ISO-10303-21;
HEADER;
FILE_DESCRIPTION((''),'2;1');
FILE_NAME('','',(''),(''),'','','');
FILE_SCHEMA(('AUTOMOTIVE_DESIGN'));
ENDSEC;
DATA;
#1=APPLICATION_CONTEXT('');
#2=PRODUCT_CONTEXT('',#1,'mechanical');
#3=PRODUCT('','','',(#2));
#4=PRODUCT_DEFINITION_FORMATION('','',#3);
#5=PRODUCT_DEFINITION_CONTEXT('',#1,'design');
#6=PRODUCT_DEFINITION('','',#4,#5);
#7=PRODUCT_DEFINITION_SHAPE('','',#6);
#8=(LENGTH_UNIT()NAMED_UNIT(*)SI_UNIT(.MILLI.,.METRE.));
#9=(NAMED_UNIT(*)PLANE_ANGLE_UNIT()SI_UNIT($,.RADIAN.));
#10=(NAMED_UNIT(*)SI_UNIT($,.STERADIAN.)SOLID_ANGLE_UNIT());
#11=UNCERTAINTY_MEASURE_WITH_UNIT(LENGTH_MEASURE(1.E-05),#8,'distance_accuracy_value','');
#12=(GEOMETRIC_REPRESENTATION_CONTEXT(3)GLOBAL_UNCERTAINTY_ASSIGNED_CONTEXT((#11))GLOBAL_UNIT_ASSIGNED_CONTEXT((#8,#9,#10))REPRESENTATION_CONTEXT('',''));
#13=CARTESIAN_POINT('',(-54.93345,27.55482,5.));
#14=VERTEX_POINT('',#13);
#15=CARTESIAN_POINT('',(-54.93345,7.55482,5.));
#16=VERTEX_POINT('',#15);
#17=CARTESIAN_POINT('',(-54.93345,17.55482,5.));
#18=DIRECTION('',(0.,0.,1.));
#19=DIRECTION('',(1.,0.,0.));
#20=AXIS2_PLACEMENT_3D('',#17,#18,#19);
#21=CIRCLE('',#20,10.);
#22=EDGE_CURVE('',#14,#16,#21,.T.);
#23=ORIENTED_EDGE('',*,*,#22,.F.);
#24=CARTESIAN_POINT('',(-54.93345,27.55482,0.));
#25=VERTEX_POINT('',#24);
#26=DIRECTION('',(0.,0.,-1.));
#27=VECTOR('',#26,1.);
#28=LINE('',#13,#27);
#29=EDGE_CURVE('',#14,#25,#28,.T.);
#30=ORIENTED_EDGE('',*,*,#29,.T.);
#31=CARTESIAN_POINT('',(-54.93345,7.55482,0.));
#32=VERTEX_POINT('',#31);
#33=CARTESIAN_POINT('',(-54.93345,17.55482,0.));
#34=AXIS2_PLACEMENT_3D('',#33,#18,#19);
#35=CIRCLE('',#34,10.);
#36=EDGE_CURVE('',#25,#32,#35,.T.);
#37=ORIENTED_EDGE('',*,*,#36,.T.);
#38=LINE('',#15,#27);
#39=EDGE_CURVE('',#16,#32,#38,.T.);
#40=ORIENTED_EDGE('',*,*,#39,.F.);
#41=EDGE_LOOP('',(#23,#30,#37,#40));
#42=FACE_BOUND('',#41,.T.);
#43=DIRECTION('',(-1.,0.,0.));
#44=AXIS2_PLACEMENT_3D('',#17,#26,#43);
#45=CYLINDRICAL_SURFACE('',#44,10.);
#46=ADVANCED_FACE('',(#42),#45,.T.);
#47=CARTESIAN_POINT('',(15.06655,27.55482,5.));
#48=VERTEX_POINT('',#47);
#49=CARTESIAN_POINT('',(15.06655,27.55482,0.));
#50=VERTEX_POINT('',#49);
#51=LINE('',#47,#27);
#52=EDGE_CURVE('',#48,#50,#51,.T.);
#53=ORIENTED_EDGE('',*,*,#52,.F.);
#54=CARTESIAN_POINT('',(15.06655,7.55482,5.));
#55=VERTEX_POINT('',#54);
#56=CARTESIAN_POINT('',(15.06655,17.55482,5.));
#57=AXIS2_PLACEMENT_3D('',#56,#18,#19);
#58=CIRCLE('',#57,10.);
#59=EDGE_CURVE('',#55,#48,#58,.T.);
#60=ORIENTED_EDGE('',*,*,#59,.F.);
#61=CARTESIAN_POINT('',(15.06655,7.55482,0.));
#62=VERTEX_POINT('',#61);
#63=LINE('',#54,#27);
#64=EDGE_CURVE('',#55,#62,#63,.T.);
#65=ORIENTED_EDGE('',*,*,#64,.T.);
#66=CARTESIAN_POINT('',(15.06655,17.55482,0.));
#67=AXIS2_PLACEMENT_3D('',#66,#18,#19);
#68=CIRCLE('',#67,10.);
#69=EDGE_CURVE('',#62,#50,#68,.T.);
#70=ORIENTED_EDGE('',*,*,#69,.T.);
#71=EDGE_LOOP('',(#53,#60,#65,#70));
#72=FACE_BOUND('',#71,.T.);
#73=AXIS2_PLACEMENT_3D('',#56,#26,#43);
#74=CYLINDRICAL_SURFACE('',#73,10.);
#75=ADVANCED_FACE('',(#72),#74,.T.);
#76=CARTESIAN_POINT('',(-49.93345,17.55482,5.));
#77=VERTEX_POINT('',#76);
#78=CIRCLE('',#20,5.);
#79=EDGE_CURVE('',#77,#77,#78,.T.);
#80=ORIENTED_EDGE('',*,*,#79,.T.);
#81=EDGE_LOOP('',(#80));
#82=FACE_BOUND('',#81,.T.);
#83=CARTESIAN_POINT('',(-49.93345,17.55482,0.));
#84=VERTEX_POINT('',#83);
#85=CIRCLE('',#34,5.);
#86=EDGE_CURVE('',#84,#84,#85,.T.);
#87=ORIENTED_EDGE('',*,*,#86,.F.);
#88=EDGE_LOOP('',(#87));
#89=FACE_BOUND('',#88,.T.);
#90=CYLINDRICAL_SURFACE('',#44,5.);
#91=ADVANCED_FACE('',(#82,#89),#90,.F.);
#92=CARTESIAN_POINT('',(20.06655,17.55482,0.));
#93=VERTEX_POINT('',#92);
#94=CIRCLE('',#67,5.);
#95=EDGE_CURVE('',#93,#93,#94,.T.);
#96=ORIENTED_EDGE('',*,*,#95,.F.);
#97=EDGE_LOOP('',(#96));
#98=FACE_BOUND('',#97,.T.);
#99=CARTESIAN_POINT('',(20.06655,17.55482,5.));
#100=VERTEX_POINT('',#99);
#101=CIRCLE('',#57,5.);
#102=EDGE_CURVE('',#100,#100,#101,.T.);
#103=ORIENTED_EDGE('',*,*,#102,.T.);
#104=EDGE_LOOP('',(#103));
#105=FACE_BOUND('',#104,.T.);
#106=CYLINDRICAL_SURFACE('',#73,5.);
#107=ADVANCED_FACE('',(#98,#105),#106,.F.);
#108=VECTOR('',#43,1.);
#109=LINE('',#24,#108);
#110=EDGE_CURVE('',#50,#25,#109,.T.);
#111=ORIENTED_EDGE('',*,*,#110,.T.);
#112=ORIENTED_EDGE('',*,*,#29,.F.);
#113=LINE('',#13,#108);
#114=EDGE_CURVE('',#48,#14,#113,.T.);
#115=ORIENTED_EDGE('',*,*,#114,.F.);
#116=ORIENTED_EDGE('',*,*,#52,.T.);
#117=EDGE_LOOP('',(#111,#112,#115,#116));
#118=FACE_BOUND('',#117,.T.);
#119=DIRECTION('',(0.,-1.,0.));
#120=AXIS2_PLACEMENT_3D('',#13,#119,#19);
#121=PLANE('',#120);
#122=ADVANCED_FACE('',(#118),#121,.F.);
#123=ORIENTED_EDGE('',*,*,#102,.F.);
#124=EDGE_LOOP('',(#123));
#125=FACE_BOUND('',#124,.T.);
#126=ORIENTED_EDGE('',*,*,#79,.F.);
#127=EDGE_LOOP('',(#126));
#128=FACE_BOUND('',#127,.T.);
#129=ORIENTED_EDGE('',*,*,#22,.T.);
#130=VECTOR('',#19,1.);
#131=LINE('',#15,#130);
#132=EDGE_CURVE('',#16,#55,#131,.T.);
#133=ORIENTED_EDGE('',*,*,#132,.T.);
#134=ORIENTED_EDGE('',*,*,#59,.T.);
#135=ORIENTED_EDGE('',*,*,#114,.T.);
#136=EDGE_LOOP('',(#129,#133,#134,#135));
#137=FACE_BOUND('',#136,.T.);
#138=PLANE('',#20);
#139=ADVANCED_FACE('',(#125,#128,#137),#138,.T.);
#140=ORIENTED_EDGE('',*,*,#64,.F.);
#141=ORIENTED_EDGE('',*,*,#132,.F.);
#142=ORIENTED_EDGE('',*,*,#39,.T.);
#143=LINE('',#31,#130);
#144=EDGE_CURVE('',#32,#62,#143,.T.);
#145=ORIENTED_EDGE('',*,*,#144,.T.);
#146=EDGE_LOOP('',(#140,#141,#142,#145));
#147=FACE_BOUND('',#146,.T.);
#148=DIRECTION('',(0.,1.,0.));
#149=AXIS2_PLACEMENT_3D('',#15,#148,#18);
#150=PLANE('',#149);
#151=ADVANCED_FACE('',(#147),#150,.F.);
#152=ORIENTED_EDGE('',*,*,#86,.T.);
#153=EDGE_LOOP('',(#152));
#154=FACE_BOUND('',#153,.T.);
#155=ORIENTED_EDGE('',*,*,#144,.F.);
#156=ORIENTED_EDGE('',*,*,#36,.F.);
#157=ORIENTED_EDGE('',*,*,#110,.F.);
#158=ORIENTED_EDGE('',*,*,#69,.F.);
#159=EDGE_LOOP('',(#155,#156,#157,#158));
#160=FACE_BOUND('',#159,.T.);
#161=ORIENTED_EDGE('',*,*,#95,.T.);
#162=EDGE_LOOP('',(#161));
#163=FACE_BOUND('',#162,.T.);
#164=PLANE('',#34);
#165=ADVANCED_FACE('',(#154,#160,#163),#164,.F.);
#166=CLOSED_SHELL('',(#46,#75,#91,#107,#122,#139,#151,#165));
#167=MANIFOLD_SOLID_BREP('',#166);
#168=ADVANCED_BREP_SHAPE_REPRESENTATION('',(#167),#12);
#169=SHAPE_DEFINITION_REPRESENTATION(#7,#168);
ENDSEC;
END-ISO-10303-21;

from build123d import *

# Parameters (mm, degrees)
SKETCH1_R           = 5
BOSS_EXTRUDE1_DEPTH = 5


with BuildPart() as part:
    # Sketch1 → Boss-Extrude1 (new body)
    with BuildSketch(Plane.XY):
        with BuildLine():
            Line((-54.933450377, 27.554820012), (15.066549623, 27.554820012))
            ThreePointArc((15.066549623, 27.554820012), (25.066549623, 17.554820012), (15.066549623, 7.554820012))
            Line((15.066549623, 7.554820012), (-54.933450377, 7.554820012))
            ThreePointArc((-54.933450377, 7.554820012), (-64.933450377, 17.554820012), (-54.933450377, 27.554820012))
        make_face()
        with Locations((-54.933450377, 17.554820012)):
            Circle(SKETCH1_R, mode=Mode.SUBTRACT)
        with Locations((15.066549623, 17.554820012)):
            Circle(SKETCH1_R, mode=Mode.SUBTRACT)
    extrude(amount=BOSS_EXTRUDE1_DEPTH)


solid = part.part
